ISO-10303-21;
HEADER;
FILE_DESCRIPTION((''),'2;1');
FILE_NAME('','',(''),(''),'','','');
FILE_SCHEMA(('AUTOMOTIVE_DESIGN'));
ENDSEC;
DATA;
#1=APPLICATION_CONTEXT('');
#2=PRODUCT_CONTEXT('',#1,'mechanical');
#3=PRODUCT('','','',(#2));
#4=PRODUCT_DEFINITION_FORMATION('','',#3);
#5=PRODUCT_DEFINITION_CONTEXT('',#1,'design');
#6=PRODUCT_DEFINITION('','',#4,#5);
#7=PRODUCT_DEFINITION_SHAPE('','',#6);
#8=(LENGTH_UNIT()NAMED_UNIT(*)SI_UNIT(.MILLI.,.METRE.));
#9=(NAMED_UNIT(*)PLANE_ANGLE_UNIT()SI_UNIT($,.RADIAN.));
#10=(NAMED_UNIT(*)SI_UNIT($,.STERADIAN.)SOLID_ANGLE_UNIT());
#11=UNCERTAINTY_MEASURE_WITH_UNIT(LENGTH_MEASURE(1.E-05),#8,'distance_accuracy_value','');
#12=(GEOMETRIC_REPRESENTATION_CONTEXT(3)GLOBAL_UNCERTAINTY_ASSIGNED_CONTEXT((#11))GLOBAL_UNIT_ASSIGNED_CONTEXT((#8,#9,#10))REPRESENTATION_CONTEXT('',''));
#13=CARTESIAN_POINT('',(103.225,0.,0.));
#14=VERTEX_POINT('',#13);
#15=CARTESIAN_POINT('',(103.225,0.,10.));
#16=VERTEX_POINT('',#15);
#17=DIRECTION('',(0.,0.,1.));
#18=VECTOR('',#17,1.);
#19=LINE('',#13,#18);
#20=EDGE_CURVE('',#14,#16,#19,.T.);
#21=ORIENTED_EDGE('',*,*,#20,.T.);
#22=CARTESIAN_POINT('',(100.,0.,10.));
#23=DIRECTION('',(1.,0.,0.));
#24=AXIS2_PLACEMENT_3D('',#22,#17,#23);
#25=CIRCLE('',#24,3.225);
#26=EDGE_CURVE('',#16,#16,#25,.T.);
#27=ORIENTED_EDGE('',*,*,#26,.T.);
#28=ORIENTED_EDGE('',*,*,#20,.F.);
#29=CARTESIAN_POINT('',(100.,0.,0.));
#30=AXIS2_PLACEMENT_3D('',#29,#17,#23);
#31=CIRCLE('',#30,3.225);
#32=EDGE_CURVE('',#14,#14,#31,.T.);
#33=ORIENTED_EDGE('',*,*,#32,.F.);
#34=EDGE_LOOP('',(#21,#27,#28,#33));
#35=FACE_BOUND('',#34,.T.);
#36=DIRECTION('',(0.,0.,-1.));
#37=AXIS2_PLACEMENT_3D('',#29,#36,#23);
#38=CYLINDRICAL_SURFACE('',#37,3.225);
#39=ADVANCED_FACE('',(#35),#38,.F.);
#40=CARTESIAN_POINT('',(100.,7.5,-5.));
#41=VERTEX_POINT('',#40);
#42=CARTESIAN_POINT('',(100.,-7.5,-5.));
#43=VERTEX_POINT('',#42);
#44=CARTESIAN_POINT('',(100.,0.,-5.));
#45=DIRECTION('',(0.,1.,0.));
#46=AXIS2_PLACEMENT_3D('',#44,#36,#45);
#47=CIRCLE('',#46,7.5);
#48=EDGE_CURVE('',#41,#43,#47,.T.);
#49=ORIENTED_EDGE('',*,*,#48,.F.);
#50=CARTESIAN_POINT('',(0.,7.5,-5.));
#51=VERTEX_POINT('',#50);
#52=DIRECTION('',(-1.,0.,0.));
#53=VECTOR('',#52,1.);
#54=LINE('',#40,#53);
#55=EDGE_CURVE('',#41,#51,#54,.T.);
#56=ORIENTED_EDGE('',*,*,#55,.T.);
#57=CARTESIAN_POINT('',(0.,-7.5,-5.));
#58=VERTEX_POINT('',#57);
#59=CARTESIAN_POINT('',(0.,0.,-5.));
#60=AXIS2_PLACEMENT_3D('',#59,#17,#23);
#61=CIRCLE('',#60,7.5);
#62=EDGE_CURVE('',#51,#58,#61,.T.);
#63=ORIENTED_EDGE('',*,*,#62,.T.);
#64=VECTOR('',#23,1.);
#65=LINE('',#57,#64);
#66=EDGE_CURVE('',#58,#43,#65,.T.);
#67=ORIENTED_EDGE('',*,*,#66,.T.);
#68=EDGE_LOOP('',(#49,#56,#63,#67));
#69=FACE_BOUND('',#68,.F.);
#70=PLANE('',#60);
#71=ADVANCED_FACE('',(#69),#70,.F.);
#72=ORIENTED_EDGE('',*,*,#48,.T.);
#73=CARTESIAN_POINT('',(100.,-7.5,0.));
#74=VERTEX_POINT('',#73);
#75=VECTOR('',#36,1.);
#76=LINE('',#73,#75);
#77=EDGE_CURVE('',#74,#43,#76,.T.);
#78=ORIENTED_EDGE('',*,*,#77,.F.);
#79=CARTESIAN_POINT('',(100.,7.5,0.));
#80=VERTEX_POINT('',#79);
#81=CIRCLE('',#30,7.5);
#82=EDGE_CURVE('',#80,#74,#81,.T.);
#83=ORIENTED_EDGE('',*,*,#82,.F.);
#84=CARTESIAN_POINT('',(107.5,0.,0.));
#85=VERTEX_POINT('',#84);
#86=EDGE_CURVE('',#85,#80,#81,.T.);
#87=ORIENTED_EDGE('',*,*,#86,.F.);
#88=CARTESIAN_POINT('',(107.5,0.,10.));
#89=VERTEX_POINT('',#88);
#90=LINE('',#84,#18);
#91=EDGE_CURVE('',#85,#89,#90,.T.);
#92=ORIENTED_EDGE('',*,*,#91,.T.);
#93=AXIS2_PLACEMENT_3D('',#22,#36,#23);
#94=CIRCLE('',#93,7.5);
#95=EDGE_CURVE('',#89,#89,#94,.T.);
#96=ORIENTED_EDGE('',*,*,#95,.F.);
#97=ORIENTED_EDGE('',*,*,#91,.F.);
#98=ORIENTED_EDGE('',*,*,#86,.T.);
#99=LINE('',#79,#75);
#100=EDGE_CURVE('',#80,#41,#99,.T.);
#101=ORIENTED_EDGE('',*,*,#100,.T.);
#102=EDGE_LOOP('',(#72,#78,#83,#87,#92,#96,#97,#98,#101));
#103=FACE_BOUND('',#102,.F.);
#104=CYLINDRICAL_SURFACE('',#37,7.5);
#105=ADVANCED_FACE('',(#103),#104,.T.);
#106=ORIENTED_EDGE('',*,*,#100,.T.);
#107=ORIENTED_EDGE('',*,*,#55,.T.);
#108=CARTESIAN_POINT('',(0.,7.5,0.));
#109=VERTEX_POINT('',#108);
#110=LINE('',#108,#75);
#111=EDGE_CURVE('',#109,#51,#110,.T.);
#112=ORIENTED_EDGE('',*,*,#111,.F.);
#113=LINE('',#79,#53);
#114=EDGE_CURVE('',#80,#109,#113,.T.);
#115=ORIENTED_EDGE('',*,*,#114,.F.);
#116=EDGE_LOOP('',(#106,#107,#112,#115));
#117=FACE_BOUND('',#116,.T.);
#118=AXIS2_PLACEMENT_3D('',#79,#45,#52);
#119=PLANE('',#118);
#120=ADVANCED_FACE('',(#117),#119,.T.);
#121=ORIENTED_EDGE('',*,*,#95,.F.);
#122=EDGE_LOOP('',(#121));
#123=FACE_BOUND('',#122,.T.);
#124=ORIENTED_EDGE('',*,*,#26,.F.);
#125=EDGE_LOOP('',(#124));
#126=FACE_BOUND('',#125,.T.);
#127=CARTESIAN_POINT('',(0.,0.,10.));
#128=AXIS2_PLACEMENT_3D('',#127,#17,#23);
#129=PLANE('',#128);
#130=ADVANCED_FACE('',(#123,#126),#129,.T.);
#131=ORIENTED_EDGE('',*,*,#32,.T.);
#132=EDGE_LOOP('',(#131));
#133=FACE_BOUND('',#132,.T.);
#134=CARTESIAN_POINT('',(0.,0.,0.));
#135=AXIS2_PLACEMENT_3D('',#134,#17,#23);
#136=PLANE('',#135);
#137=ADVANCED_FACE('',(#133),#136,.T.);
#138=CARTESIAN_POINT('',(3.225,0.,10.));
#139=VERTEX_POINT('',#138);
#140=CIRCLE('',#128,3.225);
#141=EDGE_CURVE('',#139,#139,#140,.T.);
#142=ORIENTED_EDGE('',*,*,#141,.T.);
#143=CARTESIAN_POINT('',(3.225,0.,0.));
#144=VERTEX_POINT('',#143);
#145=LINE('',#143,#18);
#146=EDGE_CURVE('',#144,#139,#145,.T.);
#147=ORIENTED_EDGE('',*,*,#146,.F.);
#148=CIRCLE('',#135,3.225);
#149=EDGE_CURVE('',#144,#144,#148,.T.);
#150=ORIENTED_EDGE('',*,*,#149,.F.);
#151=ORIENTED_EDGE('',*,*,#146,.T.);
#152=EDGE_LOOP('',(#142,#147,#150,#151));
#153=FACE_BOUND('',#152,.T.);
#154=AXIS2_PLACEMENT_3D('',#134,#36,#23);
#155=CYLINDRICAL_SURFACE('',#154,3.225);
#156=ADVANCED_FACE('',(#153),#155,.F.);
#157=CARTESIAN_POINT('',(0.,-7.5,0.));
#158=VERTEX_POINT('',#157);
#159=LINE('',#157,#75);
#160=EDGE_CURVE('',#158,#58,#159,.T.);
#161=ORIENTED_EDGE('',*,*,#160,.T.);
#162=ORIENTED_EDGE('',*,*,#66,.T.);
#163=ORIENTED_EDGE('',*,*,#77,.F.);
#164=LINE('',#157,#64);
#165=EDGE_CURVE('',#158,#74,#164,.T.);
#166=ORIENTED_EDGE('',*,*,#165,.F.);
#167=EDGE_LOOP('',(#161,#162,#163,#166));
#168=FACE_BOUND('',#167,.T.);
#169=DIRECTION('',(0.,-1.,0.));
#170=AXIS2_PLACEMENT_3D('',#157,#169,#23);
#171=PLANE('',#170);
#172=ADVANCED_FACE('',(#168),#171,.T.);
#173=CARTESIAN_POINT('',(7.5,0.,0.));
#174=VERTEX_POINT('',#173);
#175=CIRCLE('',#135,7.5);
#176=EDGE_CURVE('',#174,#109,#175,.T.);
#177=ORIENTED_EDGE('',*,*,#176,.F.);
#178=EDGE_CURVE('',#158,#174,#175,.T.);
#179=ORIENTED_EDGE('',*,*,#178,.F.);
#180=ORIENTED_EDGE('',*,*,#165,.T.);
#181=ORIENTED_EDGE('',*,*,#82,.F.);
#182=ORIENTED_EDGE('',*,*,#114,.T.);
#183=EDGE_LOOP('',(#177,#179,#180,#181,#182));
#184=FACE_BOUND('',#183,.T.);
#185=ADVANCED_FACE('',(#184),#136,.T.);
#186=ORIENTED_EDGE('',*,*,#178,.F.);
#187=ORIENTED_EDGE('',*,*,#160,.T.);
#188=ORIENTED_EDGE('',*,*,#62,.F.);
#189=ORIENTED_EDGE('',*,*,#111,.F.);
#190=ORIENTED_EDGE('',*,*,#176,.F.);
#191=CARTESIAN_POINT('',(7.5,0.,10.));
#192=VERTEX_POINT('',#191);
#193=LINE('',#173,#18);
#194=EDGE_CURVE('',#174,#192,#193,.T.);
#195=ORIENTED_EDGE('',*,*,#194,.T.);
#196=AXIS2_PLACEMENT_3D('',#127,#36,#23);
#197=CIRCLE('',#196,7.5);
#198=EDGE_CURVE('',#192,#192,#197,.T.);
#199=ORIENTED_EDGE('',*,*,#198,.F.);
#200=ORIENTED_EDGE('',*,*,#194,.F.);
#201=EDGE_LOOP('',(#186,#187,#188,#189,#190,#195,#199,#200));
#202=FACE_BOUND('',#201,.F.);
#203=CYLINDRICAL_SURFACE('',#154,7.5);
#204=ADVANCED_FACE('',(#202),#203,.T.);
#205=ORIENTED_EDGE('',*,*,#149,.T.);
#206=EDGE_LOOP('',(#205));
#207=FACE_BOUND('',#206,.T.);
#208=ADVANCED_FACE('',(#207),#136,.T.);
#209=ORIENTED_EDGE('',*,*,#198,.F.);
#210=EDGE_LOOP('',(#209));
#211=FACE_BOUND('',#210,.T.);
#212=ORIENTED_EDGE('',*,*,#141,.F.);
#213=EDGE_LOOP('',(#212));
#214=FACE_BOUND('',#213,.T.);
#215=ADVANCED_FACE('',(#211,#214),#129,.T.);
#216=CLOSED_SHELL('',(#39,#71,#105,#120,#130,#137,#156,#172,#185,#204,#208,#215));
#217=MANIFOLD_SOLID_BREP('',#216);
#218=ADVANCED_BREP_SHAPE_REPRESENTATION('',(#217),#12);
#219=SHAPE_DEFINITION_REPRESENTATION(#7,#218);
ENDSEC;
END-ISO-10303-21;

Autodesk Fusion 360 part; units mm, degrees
sketch "Sketch1" plane through (0, 0, 0) normal (0, 0, 1) x (1, 0, 0)
  circle A0 centre (0, 0) radius 3.225
  circle A1 centre (100, 0) radius 3.225
  circle A2 centre (0, 0) radius 7.5
  circle A3 centre (100, 0) radius 7.5
  line L0 (100, 7.5) -> (0, 7.5)
  line L1 (0, -7.5) -> (100, -7.5)
  dimension "d3" = 6.45
  dimension "d4" = 6.45
  dimension "d5" = 100
  dimension "d6" = 15
  dimension "d7" = 15
extrude "Extrude1" add sketch "Sketch1" along normal blind 10 contours A2 | A3 makes body 1 at (7.4627, -0.7468, 3.3333) makes body 2 at (107.4627, -0.7468, 3.3333)
extrude "Extrude2" add sketch "Sketch1" against normal blind 5 contours A0 | A1 | A2 | A2 A3 L0 L1 | A3 bodies 1 2
equation "HoleDiam = 6.45 mm"
equation "SliderDistance = 100 mm"
equation "d3 = HoleDiam"
equation "d4 = HoleDiam"
equation "d5 = SliderDistance"
